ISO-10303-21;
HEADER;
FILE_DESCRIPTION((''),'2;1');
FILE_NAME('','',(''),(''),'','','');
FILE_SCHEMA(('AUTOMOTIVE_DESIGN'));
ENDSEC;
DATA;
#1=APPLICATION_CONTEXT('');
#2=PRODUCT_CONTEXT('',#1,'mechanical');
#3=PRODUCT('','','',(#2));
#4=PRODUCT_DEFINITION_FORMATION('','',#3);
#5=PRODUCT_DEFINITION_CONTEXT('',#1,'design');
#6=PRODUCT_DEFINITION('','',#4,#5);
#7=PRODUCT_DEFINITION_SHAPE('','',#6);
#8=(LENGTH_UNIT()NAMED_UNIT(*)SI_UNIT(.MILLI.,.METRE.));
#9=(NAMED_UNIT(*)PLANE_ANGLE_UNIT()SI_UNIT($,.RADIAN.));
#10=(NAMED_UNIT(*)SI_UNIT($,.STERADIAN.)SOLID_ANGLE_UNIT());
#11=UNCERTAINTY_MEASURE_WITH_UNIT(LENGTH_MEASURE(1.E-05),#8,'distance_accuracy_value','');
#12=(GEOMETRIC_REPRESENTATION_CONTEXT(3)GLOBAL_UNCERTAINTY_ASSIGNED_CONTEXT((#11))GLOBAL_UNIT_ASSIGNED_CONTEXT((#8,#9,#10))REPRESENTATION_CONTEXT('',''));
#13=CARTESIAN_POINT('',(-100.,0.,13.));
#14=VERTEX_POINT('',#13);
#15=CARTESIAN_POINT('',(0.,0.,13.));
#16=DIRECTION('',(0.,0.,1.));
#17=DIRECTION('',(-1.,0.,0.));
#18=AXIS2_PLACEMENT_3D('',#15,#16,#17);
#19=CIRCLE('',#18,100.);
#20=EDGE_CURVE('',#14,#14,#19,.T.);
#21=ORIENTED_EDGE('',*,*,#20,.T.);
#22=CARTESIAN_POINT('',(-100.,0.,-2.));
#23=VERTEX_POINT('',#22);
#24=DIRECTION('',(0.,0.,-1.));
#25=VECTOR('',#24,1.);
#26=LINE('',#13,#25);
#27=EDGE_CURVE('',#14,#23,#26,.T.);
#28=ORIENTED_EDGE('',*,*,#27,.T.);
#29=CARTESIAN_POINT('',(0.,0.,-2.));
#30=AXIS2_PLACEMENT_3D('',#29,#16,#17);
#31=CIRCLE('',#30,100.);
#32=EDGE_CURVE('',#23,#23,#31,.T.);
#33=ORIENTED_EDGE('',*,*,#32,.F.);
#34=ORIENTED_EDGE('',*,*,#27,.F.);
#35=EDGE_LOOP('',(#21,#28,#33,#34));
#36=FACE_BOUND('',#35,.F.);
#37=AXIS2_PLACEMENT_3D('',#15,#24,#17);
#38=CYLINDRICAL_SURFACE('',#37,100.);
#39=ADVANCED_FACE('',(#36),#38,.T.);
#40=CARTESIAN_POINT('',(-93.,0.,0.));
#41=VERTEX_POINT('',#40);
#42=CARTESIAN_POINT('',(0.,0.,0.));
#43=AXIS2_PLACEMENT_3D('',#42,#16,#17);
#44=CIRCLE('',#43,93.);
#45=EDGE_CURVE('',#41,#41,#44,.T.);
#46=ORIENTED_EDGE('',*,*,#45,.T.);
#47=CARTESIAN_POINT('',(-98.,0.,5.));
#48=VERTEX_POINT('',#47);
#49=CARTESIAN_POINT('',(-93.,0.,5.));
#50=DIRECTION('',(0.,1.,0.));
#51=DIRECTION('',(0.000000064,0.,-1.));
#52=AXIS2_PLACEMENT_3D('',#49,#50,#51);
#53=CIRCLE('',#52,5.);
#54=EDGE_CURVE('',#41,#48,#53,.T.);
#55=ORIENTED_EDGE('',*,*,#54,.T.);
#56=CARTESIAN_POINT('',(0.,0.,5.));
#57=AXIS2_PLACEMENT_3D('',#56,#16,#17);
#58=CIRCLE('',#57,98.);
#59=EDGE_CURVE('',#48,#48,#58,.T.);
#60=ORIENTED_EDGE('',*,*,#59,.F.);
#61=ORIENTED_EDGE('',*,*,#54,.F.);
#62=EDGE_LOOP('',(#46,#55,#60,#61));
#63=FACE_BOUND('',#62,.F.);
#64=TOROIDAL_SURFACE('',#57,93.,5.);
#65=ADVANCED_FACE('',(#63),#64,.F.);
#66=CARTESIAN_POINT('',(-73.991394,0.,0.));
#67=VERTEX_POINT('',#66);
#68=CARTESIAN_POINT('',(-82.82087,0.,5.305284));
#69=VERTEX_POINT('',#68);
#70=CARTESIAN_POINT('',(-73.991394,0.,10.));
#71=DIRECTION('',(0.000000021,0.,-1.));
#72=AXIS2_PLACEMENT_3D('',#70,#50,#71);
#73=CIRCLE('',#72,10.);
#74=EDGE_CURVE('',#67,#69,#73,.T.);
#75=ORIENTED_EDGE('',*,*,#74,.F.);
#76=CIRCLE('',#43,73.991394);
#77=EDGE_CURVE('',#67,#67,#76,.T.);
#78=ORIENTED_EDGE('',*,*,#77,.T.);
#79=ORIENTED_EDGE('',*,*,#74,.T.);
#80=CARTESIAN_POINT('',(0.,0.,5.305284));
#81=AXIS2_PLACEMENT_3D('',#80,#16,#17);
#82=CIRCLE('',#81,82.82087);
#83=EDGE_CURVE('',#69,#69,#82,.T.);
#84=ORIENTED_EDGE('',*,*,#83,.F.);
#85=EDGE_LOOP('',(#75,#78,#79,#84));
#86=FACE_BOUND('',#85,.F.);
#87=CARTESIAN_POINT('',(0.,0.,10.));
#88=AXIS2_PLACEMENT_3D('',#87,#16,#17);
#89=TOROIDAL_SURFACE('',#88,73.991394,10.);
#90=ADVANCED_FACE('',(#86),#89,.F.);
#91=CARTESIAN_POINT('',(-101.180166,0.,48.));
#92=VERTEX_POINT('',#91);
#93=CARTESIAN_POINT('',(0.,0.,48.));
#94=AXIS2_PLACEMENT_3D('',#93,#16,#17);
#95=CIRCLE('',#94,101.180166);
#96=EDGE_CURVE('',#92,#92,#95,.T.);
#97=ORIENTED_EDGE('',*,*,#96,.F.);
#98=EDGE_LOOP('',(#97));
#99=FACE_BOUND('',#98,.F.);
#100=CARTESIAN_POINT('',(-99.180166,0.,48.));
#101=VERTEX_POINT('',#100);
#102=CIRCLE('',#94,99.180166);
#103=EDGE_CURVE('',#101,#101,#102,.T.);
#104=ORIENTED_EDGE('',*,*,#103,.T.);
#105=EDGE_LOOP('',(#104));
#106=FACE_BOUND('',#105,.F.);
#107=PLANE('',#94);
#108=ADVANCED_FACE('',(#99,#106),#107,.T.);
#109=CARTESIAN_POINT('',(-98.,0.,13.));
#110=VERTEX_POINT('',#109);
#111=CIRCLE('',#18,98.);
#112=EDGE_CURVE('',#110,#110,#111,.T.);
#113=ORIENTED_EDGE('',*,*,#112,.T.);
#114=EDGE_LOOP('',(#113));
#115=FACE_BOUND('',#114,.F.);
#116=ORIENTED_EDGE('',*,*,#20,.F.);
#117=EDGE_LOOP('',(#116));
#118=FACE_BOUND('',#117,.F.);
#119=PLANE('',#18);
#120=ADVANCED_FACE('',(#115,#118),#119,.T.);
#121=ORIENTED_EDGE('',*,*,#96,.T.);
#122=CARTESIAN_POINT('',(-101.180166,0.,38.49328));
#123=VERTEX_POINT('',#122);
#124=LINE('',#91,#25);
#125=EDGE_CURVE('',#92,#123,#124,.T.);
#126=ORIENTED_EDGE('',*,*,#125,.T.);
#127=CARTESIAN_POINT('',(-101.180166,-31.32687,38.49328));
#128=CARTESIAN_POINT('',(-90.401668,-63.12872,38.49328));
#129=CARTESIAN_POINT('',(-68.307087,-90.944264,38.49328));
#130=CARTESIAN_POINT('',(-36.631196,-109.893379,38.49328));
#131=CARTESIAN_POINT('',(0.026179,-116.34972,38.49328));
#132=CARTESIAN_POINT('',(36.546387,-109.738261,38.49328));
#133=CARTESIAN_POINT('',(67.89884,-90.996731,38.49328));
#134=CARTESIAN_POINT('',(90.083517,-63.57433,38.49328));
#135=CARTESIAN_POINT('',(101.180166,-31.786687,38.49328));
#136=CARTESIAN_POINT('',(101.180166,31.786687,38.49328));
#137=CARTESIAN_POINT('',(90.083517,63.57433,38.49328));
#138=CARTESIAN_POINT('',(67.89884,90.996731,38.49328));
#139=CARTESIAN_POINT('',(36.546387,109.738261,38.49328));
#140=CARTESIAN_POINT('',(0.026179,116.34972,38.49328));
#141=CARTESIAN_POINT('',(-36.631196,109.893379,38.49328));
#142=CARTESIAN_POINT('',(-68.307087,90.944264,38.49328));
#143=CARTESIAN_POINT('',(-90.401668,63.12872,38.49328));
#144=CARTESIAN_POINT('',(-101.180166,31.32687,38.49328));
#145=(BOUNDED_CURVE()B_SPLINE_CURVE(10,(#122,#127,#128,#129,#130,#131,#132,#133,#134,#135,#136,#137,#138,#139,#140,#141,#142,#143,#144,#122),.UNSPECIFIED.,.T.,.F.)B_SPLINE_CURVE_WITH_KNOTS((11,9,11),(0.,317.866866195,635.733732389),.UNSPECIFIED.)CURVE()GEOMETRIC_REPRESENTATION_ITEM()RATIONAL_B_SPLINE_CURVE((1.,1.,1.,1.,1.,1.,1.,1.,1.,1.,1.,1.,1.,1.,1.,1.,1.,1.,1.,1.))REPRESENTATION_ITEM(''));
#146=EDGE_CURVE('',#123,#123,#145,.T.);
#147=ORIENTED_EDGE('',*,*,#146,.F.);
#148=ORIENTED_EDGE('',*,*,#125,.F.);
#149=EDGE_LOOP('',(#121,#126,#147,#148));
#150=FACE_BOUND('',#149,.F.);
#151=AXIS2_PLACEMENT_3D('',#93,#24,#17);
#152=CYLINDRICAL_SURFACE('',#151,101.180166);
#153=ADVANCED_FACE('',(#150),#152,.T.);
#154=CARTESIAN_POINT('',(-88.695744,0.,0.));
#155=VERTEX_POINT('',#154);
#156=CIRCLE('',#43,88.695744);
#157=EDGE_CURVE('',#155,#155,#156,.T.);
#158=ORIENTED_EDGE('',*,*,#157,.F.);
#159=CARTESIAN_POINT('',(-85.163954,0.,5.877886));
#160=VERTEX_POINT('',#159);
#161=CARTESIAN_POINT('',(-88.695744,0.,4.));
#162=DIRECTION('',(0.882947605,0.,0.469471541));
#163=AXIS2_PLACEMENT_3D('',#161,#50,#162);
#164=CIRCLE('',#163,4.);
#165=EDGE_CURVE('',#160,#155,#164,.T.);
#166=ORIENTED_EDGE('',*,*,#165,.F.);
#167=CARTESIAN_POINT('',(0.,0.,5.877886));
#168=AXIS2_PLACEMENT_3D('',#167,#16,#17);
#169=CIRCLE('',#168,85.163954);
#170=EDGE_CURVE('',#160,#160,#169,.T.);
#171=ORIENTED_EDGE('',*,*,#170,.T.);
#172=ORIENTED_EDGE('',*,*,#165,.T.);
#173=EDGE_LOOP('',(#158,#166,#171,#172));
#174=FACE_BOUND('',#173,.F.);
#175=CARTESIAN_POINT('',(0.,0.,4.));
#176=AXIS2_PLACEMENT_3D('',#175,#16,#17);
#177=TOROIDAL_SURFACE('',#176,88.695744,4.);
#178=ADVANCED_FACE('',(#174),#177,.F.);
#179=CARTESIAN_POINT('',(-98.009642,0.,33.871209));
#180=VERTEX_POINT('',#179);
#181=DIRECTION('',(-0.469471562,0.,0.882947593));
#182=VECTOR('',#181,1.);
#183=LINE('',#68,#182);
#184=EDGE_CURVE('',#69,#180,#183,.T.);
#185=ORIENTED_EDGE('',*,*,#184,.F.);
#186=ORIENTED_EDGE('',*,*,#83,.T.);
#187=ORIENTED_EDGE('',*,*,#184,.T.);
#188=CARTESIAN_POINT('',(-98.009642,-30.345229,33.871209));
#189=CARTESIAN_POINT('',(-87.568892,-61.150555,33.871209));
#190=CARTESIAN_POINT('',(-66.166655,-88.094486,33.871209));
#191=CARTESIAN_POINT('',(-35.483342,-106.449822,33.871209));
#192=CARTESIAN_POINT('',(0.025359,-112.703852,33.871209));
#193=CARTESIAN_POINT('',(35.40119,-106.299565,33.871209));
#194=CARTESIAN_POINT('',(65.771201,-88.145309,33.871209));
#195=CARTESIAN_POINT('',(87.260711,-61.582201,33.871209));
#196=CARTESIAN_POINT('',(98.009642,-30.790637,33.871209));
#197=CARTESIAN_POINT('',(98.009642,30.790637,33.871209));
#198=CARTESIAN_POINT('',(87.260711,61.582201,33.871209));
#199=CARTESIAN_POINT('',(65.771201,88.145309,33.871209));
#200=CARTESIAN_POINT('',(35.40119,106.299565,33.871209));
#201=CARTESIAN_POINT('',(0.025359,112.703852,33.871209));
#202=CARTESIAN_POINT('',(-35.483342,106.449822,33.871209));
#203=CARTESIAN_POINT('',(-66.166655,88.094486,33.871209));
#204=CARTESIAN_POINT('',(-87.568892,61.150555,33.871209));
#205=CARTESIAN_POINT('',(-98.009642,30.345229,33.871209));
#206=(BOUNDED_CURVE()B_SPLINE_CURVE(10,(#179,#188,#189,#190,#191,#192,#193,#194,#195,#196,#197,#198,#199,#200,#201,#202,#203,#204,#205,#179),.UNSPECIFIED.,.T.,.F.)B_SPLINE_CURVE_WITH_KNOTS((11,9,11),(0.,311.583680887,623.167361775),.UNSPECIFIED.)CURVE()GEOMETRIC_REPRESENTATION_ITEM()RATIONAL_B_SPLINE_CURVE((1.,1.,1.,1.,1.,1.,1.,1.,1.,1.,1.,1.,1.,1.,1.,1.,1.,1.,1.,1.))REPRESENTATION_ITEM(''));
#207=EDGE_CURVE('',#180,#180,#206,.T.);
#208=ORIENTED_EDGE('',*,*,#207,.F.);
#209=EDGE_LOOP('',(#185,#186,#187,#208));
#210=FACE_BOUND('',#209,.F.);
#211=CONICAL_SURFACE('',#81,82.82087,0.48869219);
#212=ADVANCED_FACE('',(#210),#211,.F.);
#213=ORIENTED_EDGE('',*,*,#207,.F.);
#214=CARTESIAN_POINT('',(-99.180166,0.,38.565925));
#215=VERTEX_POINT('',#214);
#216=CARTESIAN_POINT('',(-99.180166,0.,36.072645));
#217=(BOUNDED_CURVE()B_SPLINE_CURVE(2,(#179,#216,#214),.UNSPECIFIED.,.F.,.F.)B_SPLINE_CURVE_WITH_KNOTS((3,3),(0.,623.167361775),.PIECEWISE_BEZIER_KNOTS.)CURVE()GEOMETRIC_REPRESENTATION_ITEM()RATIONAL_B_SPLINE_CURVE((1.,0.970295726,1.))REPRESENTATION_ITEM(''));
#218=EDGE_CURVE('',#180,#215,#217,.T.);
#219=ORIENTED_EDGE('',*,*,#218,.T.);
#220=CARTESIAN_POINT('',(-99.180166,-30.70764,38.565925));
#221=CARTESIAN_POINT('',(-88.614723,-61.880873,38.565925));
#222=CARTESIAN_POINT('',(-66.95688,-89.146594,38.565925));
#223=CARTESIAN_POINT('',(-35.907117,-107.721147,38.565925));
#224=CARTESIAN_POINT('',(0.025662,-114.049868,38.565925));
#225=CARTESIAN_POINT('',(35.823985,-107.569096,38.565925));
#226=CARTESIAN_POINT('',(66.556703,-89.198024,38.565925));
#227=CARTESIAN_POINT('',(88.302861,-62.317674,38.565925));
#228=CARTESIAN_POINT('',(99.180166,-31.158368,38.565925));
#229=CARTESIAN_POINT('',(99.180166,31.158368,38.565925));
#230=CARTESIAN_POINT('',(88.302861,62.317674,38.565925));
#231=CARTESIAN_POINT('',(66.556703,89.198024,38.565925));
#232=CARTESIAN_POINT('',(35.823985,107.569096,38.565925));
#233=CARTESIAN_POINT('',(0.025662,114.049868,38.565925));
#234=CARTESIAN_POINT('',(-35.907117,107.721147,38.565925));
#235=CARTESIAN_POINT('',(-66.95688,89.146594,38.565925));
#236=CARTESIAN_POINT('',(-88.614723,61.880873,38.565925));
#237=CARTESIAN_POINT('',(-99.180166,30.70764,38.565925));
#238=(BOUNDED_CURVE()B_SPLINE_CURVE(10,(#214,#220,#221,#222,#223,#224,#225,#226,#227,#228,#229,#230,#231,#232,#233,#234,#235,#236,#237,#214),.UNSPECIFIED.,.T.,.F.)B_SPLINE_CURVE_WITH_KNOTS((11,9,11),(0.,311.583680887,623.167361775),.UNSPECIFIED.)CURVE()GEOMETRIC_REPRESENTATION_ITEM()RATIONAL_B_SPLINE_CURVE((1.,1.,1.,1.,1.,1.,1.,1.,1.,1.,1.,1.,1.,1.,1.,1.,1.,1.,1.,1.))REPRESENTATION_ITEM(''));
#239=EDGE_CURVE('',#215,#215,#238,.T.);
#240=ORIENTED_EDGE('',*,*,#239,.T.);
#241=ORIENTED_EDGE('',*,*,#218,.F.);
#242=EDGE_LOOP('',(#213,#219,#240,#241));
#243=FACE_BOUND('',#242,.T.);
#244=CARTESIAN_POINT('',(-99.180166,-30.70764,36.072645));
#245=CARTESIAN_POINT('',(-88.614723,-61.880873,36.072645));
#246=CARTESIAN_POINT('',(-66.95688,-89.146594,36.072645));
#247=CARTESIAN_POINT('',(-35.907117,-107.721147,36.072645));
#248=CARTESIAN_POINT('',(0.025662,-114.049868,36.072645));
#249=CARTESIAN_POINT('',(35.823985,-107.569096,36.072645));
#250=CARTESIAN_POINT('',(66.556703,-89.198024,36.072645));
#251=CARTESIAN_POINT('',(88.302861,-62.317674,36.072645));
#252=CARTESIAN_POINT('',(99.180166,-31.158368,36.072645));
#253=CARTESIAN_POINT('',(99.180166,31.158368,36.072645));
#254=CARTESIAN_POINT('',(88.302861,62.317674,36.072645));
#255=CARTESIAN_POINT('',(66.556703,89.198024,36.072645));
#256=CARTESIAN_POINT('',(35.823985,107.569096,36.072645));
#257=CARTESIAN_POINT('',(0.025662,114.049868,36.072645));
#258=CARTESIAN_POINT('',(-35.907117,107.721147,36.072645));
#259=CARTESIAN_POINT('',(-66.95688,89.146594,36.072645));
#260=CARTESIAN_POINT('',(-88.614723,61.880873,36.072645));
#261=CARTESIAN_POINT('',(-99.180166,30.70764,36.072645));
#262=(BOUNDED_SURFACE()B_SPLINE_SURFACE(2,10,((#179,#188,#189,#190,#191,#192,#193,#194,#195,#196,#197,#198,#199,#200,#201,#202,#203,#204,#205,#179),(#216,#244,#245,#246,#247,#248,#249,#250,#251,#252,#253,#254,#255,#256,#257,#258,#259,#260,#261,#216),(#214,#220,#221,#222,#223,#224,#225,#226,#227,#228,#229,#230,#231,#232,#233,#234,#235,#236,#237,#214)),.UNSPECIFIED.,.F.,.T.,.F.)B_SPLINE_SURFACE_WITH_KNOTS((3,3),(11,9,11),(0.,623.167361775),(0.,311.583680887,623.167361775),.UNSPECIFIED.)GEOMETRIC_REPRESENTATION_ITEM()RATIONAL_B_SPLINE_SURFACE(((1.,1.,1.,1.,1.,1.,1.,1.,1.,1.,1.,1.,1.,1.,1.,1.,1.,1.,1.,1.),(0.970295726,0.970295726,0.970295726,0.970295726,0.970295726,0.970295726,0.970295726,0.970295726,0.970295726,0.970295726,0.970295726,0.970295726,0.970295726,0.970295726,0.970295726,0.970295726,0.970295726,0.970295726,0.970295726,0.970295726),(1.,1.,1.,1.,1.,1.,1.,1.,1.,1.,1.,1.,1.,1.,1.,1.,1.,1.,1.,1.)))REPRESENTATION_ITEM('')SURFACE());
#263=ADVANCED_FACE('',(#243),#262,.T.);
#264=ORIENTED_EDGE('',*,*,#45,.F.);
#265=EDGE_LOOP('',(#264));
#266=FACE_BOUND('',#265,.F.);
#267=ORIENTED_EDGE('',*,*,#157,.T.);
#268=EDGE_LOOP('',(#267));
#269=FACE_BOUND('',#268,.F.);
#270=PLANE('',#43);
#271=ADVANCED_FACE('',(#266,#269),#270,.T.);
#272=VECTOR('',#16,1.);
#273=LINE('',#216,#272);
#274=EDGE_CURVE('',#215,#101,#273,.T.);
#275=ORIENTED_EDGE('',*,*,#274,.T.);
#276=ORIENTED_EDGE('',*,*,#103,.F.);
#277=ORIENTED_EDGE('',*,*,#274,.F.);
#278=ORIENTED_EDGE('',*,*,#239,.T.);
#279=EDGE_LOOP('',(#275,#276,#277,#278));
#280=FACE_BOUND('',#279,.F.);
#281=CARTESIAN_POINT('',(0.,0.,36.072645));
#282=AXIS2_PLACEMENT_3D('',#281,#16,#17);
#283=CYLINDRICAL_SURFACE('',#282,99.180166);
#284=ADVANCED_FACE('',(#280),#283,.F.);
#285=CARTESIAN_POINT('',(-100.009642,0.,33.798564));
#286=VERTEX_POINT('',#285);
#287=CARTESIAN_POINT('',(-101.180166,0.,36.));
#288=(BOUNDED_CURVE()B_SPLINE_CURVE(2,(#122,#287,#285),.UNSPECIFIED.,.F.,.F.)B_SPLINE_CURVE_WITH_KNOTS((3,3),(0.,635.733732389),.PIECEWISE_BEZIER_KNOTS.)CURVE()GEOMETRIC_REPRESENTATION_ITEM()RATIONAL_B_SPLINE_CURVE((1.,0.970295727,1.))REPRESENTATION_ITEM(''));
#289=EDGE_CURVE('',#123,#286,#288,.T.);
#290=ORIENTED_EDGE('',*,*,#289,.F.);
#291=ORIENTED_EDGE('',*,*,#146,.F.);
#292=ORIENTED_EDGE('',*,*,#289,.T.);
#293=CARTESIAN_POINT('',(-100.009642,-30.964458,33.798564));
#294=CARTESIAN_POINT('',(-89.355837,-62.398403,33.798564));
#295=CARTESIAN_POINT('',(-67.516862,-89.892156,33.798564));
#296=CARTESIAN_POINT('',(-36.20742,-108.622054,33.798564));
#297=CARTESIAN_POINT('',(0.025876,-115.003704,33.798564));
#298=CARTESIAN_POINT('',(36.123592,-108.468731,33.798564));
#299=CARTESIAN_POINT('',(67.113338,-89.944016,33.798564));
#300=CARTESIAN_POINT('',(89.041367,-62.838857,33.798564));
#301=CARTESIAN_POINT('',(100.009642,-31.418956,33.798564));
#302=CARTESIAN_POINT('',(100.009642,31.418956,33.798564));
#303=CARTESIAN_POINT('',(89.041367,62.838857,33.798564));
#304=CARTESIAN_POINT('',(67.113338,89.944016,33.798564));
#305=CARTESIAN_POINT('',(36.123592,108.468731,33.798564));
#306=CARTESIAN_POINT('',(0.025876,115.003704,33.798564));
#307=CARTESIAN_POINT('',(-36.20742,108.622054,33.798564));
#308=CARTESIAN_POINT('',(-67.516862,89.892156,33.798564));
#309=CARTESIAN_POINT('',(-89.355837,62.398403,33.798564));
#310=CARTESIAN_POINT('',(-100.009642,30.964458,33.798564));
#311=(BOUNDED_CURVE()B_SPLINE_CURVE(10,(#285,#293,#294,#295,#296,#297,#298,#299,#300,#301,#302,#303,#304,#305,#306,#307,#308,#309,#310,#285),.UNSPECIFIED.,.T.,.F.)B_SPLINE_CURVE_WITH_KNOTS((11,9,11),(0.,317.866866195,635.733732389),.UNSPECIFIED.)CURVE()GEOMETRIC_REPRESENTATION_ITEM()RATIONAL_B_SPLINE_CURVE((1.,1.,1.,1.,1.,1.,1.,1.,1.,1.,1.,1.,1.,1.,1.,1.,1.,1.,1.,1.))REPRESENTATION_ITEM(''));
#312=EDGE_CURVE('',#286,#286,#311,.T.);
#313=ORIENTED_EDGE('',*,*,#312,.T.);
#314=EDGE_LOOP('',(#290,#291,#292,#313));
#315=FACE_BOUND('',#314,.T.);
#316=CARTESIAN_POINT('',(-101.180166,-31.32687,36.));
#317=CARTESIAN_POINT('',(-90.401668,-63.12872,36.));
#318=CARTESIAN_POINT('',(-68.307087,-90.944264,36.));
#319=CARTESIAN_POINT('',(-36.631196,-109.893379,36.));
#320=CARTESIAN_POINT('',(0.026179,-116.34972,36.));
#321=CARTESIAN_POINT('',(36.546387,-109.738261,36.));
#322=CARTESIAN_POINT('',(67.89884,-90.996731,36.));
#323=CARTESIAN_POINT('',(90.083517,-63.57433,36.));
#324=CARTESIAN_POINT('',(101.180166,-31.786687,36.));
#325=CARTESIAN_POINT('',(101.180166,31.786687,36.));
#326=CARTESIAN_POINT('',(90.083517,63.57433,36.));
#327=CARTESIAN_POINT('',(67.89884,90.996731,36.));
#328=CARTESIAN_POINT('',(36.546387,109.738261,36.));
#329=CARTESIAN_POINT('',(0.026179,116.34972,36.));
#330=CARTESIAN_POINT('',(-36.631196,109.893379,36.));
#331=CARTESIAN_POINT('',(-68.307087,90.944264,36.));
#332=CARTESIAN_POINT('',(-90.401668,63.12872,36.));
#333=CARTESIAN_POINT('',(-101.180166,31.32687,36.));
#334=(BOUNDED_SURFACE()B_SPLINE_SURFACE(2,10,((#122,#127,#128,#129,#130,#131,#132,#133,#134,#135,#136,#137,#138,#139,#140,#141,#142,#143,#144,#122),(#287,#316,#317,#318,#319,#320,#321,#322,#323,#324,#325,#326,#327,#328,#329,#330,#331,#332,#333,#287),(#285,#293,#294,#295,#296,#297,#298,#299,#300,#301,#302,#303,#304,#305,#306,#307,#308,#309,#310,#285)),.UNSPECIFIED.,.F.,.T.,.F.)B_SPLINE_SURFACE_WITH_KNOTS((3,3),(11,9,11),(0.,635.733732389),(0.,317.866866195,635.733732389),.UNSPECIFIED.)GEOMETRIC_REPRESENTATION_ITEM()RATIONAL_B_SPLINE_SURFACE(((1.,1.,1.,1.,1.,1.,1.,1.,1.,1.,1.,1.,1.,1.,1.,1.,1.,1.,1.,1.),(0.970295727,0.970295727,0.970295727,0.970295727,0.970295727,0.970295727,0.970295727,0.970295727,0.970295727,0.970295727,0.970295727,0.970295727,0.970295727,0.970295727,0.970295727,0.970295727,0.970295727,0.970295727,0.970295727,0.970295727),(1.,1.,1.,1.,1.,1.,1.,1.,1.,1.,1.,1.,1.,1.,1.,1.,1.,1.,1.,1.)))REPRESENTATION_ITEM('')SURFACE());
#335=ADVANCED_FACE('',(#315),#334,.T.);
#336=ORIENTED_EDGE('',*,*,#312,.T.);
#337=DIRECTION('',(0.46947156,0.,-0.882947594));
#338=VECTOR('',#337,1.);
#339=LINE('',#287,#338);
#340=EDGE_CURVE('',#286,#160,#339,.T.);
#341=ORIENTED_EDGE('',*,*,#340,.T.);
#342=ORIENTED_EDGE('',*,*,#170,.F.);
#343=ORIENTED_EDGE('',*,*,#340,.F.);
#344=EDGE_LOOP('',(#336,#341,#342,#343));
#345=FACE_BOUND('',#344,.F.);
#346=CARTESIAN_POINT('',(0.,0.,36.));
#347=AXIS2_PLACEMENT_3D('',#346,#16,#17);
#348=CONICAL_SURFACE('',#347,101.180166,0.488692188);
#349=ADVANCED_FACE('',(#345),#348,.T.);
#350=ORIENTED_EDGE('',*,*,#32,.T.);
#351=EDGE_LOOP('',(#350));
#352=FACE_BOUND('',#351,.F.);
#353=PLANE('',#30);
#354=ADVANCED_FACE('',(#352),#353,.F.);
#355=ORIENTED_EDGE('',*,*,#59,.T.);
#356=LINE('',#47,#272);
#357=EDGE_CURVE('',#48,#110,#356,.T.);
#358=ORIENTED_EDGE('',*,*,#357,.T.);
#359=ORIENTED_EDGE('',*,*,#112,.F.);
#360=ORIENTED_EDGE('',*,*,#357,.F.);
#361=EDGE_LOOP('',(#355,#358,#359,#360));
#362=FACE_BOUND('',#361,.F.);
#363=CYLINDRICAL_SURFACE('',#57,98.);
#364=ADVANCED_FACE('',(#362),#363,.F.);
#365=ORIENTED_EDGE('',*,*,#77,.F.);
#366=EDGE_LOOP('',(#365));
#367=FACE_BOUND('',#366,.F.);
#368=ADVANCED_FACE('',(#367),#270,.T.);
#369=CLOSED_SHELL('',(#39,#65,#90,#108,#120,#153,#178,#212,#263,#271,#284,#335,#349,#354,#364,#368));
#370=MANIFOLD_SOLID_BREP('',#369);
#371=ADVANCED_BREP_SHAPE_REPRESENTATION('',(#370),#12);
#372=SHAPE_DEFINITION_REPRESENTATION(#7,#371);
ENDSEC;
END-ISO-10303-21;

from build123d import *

# Parameters (mm, degrees)
F2_R = 10


with BuildPart() as f1:
    # F0 (on Front) → F1 (revolve)
    with BuildSketch(Plane.XZ):
        with BuildLine():
            Line((0, -2), (0, 0))
            Line((0, 0), (-73.991394, 0))
            ThreePointArc((-73.991394, 0), (-79.141775, 1.428327), (-82.82087, 5.305284))
            Line((-82.82087, 5.305284), (-99.180166, 36.072645))
            Line((-99.180166, 36.072645), (-99.180166, 48))
            Line((-99.180166, 48), (-101.180166, 48))
            Line((-101.180166, 48), (-101.180166, 36))
            Line((-101.180166, 36), (-85.163954, 5.877886))
            ThreePointArc((-85.163954, 5.877886), (-85.267075, 1.939848), (-88.695744, 0))
            Line((-88.695744, 0), (-93, 0))
            ThreePointArc((-93, 0), (-96.535534, 1.464466), (-98, 5))
            Line((-98, 5), (-98, 13))
            Line((-98, 13), (-100, 13))
            Line((-100, 13), (-100, -2))
            Line((-100, -2), (0, -2))
        make_face()
    revolve(axis=Axis((0, 0, -1), (0, 0, 1)))

    # F2
    f2_edges = [f1.edges().sort_by_distance(p)[0] for p in [
        (99.180166, 0, 36.072645),
        (101.180166, 0, 36),
    ]]
    fillet(f2_edges, radius=F2_R)


solid = f1.part
